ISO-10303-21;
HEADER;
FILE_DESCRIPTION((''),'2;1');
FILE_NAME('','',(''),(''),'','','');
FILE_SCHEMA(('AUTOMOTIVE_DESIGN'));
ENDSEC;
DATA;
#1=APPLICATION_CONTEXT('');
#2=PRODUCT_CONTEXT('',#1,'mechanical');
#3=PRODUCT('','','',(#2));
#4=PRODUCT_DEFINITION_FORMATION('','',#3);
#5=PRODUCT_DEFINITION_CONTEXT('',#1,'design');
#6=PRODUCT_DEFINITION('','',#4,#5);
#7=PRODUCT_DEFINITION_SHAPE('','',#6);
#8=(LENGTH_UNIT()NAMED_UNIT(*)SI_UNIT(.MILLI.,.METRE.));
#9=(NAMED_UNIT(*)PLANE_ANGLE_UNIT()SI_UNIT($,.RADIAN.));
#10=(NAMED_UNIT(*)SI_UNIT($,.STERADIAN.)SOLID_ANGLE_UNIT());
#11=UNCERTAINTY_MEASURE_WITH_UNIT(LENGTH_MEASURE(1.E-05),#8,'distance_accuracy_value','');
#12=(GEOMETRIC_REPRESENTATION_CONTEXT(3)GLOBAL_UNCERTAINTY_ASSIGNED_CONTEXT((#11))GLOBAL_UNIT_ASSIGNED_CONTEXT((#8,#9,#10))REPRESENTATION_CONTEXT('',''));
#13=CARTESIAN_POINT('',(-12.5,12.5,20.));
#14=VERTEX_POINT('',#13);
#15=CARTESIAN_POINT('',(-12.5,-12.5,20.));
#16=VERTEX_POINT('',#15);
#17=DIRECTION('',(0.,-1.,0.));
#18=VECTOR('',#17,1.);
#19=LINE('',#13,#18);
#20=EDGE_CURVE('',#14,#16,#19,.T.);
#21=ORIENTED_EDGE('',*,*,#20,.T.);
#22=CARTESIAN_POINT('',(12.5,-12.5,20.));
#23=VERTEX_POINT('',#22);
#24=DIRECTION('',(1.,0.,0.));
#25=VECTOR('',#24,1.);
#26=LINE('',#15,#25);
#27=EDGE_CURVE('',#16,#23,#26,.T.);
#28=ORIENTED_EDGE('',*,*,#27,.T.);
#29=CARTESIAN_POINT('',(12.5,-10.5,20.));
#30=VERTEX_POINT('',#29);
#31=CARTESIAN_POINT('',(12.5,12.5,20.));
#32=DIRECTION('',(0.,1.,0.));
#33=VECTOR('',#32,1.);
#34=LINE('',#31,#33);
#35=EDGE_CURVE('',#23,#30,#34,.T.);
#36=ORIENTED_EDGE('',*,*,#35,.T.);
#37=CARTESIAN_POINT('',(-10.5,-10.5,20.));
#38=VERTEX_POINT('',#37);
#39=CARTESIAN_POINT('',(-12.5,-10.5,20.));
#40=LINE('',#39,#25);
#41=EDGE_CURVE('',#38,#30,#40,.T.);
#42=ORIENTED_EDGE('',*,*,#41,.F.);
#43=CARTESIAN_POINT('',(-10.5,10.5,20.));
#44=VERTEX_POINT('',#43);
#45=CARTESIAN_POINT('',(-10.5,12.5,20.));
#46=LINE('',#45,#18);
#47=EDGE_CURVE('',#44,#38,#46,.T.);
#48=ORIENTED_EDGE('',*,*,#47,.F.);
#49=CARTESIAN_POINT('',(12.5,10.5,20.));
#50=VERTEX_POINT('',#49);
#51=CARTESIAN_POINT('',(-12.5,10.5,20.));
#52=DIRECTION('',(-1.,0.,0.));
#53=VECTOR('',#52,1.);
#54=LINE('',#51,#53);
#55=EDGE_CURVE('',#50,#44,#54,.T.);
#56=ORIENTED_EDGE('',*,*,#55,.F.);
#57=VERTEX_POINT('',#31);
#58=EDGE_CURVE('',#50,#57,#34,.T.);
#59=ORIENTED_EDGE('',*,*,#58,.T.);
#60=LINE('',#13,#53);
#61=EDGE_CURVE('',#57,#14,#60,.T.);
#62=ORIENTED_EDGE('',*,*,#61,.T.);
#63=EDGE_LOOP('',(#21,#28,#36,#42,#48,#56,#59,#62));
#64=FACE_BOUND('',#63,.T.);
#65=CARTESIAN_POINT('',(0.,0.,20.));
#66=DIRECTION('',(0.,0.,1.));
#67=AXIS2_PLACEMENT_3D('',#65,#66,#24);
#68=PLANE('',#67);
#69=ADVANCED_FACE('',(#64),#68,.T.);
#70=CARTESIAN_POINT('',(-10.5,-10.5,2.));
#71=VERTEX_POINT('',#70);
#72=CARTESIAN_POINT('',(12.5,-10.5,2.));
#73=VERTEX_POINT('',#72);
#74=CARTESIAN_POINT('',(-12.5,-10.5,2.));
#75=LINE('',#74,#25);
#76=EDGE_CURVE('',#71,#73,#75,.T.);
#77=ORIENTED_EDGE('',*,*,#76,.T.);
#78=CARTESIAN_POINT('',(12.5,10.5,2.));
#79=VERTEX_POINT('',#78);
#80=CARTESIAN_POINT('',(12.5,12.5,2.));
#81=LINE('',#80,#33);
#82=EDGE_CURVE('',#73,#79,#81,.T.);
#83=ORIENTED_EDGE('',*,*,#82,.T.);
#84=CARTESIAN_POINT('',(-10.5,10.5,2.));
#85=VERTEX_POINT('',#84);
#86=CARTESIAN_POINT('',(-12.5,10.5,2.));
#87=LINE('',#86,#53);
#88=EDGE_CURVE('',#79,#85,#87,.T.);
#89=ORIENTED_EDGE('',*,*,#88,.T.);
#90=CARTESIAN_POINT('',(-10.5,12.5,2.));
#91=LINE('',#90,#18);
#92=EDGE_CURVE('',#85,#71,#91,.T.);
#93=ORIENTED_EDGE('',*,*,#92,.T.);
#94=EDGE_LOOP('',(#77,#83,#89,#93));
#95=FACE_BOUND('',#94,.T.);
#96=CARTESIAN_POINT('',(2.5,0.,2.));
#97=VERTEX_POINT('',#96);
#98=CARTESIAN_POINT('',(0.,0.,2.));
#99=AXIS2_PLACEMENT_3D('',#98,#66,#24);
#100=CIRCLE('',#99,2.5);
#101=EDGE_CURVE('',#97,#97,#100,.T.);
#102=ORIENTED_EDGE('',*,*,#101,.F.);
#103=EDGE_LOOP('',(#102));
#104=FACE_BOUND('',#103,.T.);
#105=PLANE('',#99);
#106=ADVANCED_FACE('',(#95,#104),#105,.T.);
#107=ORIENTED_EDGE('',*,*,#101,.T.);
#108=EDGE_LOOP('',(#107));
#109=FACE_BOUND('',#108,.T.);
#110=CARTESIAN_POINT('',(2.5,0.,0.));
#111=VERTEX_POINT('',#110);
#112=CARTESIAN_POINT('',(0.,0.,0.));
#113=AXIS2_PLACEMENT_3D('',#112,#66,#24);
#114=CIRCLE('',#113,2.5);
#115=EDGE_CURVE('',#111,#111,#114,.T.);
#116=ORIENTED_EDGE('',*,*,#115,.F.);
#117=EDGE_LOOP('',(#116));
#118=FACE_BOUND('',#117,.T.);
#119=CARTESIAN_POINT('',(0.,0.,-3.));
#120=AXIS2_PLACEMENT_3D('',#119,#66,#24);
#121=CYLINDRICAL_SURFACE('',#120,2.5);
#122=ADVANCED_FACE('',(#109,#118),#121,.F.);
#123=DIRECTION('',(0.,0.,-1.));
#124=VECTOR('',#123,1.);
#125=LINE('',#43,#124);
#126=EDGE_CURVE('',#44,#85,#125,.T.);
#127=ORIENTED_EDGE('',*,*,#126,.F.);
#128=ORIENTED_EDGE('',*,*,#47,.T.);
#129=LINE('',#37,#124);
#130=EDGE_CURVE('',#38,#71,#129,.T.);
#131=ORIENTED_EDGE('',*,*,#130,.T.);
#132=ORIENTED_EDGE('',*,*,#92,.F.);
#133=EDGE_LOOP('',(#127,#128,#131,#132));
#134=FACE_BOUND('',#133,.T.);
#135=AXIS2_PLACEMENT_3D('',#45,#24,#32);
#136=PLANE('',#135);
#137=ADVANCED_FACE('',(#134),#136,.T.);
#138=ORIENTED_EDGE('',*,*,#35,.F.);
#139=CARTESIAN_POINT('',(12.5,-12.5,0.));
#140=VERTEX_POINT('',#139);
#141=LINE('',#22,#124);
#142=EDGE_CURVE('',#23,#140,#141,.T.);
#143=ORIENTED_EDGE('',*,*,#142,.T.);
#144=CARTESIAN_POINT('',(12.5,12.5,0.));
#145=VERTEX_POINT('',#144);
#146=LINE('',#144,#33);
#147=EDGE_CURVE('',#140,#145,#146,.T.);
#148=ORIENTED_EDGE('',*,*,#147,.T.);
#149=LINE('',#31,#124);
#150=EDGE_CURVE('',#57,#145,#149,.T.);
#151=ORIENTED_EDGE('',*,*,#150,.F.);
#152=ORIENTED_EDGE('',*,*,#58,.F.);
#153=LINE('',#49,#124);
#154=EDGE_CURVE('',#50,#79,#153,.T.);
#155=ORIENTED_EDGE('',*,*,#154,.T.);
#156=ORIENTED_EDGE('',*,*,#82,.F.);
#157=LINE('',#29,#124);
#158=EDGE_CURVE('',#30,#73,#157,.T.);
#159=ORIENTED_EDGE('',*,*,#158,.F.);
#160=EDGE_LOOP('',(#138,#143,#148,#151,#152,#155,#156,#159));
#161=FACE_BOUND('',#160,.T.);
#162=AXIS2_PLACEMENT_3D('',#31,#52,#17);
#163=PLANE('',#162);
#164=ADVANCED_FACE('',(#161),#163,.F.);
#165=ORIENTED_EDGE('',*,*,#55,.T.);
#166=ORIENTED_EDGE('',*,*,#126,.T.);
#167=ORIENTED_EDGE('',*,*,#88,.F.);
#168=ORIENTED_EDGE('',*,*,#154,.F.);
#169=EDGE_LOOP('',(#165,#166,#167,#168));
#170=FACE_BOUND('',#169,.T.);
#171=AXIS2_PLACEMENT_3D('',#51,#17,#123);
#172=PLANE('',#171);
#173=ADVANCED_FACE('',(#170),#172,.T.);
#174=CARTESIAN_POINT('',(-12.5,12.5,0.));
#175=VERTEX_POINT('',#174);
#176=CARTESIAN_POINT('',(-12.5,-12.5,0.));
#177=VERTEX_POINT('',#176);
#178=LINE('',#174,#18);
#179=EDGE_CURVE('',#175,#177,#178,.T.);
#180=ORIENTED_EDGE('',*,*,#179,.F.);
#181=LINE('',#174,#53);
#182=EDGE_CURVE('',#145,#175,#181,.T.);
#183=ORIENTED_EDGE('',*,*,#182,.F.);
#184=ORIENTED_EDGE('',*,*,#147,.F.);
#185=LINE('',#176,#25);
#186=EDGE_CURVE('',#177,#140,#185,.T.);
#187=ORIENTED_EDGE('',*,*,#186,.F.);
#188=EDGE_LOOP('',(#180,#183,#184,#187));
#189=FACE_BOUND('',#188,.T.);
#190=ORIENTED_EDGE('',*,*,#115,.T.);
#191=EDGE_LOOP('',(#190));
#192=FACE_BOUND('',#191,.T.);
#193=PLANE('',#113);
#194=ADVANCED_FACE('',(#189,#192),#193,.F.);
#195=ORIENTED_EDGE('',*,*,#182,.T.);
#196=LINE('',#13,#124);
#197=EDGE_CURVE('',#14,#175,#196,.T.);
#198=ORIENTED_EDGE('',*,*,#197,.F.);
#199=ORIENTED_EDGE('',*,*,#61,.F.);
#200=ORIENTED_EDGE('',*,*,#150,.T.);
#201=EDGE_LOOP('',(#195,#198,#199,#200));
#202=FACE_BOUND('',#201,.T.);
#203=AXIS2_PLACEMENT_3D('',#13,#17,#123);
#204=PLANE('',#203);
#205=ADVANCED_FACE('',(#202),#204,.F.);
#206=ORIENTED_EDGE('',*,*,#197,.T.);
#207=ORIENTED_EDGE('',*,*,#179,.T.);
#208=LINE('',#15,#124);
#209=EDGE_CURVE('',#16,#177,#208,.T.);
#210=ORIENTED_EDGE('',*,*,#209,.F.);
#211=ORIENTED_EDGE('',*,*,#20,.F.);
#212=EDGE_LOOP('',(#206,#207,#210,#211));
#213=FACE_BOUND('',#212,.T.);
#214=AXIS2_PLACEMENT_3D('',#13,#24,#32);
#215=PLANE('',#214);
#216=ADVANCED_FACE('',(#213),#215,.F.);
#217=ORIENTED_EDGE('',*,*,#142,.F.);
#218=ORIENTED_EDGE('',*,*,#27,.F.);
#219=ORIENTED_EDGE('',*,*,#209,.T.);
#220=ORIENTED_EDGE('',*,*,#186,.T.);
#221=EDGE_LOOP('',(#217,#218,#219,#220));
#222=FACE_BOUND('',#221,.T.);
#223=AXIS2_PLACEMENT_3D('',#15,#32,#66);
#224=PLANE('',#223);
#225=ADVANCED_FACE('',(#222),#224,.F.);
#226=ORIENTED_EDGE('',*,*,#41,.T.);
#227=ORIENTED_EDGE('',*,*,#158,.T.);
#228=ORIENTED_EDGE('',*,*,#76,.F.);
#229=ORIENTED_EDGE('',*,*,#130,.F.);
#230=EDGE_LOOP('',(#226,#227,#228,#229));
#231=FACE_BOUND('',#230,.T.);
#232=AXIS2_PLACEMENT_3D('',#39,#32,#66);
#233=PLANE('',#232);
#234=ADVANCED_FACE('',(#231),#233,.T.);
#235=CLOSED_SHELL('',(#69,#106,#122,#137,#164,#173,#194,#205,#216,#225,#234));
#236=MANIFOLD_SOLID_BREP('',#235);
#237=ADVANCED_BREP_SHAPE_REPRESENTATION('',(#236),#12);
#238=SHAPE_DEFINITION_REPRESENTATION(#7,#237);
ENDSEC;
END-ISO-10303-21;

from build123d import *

# Parameters (mm, degrees)
IZIM1_W                     = 25
IZIM1_H                     = 25
Y_KSEKLIK_EKSTR_ZYON1_DEPTH = 20
BO_ALTMA1_T                 = -2
IZIM2_R                     = 2.5
KES_EKSTR_ZYON1_DEPTH       = 5


with BuildPart() as part:
    # Çizim1 → Yükseklik-Ekstrüzyon1 (new body)
    with BuildSketch(Plane.XY):
        Rectangle(IZIM1_W, IZIM1_H)
    extrude(amount=Y_KSEKLIK_EKSTR_ZYON1_DEPTH)

    # İç Boşaltma1
    bo_altma1_openings = [part.faces().sort_by_distance(p)[0] for p in [
        (0, 0, 20),
        (12.5, 0, 10),
    ]]
    offset(amount=BO_ALTMA1_T, openings=bo_altma1_openings, kind=Kind.INTERSECTION)

    # Çizim2 → Kes-Ekstrüzyon1 (cut)
    with BuildSketch(Plane.XY.offset(2)):
        Circle(IZIM2_R)
    extrude(amount=-KES_EKSTR_ZYON1_DEPTH, mode=Mode.SUBTRACT)


solid = part.part
